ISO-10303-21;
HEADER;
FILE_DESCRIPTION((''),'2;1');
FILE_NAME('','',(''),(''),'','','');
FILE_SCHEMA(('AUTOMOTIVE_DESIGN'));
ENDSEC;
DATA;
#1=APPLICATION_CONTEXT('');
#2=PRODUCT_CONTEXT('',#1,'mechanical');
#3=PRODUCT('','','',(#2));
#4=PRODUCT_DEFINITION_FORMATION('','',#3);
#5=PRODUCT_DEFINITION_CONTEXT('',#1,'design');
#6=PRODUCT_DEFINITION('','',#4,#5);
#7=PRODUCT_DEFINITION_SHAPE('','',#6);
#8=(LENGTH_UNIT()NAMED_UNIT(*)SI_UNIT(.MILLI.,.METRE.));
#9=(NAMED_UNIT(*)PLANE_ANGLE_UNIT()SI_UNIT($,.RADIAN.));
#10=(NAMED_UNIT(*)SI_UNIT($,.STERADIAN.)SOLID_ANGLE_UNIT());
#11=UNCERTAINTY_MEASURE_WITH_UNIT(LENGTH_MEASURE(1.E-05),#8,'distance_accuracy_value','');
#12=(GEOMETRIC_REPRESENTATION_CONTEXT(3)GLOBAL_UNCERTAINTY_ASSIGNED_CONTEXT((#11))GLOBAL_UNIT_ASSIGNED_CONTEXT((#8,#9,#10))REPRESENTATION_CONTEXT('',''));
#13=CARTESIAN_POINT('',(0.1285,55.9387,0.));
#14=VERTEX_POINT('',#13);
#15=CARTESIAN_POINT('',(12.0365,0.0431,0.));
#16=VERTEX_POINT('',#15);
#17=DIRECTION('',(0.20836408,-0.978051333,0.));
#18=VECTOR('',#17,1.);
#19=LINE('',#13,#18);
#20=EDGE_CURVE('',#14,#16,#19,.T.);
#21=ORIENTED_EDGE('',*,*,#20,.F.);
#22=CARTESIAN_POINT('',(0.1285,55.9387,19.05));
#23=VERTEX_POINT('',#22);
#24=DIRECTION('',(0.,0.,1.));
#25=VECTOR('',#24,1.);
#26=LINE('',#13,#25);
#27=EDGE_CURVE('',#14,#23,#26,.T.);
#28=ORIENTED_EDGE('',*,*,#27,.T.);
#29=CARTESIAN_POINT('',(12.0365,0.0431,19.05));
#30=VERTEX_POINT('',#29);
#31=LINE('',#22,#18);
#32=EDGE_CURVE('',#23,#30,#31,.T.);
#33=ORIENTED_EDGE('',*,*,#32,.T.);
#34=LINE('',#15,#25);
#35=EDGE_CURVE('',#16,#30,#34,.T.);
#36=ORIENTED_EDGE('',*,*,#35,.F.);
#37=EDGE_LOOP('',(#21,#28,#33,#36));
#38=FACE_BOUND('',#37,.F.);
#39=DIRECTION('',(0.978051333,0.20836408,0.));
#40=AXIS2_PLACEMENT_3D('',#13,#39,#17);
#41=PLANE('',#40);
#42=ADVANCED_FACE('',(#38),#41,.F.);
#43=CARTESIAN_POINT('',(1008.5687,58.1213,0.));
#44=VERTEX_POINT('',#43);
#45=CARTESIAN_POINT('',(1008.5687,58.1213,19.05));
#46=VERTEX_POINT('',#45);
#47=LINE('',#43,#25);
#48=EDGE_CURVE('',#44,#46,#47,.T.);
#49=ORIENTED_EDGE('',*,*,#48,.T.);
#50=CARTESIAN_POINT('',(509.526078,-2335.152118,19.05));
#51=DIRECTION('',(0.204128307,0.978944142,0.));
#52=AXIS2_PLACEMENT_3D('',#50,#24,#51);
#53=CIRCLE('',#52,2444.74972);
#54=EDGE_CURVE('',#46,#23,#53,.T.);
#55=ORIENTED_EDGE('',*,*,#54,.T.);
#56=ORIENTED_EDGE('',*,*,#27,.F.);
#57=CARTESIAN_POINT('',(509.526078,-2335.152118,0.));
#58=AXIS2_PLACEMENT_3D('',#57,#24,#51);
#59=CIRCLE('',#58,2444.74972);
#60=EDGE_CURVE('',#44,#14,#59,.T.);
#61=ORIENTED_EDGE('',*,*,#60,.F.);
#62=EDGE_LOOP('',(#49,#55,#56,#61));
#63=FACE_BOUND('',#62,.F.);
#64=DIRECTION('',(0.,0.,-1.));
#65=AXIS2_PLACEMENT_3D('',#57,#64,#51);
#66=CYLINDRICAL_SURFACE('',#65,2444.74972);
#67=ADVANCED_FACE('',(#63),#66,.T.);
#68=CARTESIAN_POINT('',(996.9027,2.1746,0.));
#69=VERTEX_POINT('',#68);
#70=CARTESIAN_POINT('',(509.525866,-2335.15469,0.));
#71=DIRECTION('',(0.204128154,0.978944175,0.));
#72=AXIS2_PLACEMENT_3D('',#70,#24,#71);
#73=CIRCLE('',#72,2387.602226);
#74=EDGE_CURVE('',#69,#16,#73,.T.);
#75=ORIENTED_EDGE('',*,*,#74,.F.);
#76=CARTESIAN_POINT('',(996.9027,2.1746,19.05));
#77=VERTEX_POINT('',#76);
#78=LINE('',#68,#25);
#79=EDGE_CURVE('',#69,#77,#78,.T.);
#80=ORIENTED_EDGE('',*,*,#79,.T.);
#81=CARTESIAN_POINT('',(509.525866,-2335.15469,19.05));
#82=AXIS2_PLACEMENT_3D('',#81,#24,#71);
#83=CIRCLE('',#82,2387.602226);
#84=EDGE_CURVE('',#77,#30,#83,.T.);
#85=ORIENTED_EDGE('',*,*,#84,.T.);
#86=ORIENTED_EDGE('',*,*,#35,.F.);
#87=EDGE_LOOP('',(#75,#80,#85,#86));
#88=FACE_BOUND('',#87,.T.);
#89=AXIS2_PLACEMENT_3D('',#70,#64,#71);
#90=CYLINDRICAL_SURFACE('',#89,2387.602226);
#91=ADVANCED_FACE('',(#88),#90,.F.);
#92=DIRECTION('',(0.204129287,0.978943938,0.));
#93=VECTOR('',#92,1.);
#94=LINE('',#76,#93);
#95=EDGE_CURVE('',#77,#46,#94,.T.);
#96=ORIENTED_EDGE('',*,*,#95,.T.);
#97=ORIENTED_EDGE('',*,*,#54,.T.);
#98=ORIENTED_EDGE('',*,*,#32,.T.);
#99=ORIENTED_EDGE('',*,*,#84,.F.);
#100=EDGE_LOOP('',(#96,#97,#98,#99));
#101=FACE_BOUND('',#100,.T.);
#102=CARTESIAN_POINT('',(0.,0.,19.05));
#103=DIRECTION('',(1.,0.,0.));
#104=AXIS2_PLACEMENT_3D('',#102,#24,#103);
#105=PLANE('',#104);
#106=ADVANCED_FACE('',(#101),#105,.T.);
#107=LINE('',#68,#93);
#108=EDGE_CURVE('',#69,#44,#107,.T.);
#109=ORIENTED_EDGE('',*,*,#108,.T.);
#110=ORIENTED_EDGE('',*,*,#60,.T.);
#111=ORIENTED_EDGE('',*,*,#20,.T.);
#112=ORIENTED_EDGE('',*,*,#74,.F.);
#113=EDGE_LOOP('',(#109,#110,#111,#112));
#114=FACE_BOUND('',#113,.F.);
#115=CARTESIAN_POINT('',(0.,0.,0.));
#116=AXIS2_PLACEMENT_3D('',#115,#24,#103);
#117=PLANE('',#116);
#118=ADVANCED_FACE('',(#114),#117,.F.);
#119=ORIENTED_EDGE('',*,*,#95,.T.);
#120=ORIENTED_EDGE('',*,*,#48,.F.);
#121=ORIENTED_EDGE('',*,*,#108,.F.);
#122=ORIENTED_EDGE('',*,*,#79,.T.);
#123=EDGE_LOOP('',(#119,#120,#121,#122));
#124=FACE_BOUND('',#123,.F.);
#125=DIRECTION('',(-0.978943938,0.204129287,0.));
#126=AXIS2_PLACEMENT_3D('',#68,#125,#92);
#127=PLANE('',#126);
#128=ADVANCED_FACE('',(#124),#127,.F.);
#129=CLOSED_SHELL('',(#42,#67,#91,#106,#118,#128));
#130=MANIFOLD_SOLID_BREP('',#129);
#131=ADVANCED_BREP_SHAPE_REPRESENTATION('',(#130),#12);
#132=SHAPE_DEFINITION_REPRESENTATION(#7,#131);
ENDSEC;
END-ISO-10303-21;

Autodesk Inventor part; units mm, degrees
ref_plane "YZ Plane" through (0, 0, 0) normal (1, 0, 0) x (0, 1, 0)
ref_plane "XZ Plane" through (0, 0, 0) normal (0, 1, 0) x (-1, 0, 0)
ref_plane "XY Plane" through (0, 0, 0) normal (0, 0, 1) x (1, 0, 0)
sketch "Sketch1" plane through (0, 0, 0) normal (0, 0, 1) x (1, 0, 0)
  arc A0 (1008.5687, 58.1213) -> (0.1285, 55.9387) centre (509.5261, -2335.1519) ccw
  line L0 (0.1285, 55.9387) -> (12.0365, 0.0431)
  arc A1 (996.9027, 2.1746) -> (12.0365, 0.0431) centre (509.5261, -2335.1524) ccw
  line L1 (996.9027, 2.1746) -> (1008.5687, 58.1213)
  point P0 (0, 0)
extrude "Extrusion1" add sketch "Sketch1" along normal blind 19.05
properties part number "nd-9"
